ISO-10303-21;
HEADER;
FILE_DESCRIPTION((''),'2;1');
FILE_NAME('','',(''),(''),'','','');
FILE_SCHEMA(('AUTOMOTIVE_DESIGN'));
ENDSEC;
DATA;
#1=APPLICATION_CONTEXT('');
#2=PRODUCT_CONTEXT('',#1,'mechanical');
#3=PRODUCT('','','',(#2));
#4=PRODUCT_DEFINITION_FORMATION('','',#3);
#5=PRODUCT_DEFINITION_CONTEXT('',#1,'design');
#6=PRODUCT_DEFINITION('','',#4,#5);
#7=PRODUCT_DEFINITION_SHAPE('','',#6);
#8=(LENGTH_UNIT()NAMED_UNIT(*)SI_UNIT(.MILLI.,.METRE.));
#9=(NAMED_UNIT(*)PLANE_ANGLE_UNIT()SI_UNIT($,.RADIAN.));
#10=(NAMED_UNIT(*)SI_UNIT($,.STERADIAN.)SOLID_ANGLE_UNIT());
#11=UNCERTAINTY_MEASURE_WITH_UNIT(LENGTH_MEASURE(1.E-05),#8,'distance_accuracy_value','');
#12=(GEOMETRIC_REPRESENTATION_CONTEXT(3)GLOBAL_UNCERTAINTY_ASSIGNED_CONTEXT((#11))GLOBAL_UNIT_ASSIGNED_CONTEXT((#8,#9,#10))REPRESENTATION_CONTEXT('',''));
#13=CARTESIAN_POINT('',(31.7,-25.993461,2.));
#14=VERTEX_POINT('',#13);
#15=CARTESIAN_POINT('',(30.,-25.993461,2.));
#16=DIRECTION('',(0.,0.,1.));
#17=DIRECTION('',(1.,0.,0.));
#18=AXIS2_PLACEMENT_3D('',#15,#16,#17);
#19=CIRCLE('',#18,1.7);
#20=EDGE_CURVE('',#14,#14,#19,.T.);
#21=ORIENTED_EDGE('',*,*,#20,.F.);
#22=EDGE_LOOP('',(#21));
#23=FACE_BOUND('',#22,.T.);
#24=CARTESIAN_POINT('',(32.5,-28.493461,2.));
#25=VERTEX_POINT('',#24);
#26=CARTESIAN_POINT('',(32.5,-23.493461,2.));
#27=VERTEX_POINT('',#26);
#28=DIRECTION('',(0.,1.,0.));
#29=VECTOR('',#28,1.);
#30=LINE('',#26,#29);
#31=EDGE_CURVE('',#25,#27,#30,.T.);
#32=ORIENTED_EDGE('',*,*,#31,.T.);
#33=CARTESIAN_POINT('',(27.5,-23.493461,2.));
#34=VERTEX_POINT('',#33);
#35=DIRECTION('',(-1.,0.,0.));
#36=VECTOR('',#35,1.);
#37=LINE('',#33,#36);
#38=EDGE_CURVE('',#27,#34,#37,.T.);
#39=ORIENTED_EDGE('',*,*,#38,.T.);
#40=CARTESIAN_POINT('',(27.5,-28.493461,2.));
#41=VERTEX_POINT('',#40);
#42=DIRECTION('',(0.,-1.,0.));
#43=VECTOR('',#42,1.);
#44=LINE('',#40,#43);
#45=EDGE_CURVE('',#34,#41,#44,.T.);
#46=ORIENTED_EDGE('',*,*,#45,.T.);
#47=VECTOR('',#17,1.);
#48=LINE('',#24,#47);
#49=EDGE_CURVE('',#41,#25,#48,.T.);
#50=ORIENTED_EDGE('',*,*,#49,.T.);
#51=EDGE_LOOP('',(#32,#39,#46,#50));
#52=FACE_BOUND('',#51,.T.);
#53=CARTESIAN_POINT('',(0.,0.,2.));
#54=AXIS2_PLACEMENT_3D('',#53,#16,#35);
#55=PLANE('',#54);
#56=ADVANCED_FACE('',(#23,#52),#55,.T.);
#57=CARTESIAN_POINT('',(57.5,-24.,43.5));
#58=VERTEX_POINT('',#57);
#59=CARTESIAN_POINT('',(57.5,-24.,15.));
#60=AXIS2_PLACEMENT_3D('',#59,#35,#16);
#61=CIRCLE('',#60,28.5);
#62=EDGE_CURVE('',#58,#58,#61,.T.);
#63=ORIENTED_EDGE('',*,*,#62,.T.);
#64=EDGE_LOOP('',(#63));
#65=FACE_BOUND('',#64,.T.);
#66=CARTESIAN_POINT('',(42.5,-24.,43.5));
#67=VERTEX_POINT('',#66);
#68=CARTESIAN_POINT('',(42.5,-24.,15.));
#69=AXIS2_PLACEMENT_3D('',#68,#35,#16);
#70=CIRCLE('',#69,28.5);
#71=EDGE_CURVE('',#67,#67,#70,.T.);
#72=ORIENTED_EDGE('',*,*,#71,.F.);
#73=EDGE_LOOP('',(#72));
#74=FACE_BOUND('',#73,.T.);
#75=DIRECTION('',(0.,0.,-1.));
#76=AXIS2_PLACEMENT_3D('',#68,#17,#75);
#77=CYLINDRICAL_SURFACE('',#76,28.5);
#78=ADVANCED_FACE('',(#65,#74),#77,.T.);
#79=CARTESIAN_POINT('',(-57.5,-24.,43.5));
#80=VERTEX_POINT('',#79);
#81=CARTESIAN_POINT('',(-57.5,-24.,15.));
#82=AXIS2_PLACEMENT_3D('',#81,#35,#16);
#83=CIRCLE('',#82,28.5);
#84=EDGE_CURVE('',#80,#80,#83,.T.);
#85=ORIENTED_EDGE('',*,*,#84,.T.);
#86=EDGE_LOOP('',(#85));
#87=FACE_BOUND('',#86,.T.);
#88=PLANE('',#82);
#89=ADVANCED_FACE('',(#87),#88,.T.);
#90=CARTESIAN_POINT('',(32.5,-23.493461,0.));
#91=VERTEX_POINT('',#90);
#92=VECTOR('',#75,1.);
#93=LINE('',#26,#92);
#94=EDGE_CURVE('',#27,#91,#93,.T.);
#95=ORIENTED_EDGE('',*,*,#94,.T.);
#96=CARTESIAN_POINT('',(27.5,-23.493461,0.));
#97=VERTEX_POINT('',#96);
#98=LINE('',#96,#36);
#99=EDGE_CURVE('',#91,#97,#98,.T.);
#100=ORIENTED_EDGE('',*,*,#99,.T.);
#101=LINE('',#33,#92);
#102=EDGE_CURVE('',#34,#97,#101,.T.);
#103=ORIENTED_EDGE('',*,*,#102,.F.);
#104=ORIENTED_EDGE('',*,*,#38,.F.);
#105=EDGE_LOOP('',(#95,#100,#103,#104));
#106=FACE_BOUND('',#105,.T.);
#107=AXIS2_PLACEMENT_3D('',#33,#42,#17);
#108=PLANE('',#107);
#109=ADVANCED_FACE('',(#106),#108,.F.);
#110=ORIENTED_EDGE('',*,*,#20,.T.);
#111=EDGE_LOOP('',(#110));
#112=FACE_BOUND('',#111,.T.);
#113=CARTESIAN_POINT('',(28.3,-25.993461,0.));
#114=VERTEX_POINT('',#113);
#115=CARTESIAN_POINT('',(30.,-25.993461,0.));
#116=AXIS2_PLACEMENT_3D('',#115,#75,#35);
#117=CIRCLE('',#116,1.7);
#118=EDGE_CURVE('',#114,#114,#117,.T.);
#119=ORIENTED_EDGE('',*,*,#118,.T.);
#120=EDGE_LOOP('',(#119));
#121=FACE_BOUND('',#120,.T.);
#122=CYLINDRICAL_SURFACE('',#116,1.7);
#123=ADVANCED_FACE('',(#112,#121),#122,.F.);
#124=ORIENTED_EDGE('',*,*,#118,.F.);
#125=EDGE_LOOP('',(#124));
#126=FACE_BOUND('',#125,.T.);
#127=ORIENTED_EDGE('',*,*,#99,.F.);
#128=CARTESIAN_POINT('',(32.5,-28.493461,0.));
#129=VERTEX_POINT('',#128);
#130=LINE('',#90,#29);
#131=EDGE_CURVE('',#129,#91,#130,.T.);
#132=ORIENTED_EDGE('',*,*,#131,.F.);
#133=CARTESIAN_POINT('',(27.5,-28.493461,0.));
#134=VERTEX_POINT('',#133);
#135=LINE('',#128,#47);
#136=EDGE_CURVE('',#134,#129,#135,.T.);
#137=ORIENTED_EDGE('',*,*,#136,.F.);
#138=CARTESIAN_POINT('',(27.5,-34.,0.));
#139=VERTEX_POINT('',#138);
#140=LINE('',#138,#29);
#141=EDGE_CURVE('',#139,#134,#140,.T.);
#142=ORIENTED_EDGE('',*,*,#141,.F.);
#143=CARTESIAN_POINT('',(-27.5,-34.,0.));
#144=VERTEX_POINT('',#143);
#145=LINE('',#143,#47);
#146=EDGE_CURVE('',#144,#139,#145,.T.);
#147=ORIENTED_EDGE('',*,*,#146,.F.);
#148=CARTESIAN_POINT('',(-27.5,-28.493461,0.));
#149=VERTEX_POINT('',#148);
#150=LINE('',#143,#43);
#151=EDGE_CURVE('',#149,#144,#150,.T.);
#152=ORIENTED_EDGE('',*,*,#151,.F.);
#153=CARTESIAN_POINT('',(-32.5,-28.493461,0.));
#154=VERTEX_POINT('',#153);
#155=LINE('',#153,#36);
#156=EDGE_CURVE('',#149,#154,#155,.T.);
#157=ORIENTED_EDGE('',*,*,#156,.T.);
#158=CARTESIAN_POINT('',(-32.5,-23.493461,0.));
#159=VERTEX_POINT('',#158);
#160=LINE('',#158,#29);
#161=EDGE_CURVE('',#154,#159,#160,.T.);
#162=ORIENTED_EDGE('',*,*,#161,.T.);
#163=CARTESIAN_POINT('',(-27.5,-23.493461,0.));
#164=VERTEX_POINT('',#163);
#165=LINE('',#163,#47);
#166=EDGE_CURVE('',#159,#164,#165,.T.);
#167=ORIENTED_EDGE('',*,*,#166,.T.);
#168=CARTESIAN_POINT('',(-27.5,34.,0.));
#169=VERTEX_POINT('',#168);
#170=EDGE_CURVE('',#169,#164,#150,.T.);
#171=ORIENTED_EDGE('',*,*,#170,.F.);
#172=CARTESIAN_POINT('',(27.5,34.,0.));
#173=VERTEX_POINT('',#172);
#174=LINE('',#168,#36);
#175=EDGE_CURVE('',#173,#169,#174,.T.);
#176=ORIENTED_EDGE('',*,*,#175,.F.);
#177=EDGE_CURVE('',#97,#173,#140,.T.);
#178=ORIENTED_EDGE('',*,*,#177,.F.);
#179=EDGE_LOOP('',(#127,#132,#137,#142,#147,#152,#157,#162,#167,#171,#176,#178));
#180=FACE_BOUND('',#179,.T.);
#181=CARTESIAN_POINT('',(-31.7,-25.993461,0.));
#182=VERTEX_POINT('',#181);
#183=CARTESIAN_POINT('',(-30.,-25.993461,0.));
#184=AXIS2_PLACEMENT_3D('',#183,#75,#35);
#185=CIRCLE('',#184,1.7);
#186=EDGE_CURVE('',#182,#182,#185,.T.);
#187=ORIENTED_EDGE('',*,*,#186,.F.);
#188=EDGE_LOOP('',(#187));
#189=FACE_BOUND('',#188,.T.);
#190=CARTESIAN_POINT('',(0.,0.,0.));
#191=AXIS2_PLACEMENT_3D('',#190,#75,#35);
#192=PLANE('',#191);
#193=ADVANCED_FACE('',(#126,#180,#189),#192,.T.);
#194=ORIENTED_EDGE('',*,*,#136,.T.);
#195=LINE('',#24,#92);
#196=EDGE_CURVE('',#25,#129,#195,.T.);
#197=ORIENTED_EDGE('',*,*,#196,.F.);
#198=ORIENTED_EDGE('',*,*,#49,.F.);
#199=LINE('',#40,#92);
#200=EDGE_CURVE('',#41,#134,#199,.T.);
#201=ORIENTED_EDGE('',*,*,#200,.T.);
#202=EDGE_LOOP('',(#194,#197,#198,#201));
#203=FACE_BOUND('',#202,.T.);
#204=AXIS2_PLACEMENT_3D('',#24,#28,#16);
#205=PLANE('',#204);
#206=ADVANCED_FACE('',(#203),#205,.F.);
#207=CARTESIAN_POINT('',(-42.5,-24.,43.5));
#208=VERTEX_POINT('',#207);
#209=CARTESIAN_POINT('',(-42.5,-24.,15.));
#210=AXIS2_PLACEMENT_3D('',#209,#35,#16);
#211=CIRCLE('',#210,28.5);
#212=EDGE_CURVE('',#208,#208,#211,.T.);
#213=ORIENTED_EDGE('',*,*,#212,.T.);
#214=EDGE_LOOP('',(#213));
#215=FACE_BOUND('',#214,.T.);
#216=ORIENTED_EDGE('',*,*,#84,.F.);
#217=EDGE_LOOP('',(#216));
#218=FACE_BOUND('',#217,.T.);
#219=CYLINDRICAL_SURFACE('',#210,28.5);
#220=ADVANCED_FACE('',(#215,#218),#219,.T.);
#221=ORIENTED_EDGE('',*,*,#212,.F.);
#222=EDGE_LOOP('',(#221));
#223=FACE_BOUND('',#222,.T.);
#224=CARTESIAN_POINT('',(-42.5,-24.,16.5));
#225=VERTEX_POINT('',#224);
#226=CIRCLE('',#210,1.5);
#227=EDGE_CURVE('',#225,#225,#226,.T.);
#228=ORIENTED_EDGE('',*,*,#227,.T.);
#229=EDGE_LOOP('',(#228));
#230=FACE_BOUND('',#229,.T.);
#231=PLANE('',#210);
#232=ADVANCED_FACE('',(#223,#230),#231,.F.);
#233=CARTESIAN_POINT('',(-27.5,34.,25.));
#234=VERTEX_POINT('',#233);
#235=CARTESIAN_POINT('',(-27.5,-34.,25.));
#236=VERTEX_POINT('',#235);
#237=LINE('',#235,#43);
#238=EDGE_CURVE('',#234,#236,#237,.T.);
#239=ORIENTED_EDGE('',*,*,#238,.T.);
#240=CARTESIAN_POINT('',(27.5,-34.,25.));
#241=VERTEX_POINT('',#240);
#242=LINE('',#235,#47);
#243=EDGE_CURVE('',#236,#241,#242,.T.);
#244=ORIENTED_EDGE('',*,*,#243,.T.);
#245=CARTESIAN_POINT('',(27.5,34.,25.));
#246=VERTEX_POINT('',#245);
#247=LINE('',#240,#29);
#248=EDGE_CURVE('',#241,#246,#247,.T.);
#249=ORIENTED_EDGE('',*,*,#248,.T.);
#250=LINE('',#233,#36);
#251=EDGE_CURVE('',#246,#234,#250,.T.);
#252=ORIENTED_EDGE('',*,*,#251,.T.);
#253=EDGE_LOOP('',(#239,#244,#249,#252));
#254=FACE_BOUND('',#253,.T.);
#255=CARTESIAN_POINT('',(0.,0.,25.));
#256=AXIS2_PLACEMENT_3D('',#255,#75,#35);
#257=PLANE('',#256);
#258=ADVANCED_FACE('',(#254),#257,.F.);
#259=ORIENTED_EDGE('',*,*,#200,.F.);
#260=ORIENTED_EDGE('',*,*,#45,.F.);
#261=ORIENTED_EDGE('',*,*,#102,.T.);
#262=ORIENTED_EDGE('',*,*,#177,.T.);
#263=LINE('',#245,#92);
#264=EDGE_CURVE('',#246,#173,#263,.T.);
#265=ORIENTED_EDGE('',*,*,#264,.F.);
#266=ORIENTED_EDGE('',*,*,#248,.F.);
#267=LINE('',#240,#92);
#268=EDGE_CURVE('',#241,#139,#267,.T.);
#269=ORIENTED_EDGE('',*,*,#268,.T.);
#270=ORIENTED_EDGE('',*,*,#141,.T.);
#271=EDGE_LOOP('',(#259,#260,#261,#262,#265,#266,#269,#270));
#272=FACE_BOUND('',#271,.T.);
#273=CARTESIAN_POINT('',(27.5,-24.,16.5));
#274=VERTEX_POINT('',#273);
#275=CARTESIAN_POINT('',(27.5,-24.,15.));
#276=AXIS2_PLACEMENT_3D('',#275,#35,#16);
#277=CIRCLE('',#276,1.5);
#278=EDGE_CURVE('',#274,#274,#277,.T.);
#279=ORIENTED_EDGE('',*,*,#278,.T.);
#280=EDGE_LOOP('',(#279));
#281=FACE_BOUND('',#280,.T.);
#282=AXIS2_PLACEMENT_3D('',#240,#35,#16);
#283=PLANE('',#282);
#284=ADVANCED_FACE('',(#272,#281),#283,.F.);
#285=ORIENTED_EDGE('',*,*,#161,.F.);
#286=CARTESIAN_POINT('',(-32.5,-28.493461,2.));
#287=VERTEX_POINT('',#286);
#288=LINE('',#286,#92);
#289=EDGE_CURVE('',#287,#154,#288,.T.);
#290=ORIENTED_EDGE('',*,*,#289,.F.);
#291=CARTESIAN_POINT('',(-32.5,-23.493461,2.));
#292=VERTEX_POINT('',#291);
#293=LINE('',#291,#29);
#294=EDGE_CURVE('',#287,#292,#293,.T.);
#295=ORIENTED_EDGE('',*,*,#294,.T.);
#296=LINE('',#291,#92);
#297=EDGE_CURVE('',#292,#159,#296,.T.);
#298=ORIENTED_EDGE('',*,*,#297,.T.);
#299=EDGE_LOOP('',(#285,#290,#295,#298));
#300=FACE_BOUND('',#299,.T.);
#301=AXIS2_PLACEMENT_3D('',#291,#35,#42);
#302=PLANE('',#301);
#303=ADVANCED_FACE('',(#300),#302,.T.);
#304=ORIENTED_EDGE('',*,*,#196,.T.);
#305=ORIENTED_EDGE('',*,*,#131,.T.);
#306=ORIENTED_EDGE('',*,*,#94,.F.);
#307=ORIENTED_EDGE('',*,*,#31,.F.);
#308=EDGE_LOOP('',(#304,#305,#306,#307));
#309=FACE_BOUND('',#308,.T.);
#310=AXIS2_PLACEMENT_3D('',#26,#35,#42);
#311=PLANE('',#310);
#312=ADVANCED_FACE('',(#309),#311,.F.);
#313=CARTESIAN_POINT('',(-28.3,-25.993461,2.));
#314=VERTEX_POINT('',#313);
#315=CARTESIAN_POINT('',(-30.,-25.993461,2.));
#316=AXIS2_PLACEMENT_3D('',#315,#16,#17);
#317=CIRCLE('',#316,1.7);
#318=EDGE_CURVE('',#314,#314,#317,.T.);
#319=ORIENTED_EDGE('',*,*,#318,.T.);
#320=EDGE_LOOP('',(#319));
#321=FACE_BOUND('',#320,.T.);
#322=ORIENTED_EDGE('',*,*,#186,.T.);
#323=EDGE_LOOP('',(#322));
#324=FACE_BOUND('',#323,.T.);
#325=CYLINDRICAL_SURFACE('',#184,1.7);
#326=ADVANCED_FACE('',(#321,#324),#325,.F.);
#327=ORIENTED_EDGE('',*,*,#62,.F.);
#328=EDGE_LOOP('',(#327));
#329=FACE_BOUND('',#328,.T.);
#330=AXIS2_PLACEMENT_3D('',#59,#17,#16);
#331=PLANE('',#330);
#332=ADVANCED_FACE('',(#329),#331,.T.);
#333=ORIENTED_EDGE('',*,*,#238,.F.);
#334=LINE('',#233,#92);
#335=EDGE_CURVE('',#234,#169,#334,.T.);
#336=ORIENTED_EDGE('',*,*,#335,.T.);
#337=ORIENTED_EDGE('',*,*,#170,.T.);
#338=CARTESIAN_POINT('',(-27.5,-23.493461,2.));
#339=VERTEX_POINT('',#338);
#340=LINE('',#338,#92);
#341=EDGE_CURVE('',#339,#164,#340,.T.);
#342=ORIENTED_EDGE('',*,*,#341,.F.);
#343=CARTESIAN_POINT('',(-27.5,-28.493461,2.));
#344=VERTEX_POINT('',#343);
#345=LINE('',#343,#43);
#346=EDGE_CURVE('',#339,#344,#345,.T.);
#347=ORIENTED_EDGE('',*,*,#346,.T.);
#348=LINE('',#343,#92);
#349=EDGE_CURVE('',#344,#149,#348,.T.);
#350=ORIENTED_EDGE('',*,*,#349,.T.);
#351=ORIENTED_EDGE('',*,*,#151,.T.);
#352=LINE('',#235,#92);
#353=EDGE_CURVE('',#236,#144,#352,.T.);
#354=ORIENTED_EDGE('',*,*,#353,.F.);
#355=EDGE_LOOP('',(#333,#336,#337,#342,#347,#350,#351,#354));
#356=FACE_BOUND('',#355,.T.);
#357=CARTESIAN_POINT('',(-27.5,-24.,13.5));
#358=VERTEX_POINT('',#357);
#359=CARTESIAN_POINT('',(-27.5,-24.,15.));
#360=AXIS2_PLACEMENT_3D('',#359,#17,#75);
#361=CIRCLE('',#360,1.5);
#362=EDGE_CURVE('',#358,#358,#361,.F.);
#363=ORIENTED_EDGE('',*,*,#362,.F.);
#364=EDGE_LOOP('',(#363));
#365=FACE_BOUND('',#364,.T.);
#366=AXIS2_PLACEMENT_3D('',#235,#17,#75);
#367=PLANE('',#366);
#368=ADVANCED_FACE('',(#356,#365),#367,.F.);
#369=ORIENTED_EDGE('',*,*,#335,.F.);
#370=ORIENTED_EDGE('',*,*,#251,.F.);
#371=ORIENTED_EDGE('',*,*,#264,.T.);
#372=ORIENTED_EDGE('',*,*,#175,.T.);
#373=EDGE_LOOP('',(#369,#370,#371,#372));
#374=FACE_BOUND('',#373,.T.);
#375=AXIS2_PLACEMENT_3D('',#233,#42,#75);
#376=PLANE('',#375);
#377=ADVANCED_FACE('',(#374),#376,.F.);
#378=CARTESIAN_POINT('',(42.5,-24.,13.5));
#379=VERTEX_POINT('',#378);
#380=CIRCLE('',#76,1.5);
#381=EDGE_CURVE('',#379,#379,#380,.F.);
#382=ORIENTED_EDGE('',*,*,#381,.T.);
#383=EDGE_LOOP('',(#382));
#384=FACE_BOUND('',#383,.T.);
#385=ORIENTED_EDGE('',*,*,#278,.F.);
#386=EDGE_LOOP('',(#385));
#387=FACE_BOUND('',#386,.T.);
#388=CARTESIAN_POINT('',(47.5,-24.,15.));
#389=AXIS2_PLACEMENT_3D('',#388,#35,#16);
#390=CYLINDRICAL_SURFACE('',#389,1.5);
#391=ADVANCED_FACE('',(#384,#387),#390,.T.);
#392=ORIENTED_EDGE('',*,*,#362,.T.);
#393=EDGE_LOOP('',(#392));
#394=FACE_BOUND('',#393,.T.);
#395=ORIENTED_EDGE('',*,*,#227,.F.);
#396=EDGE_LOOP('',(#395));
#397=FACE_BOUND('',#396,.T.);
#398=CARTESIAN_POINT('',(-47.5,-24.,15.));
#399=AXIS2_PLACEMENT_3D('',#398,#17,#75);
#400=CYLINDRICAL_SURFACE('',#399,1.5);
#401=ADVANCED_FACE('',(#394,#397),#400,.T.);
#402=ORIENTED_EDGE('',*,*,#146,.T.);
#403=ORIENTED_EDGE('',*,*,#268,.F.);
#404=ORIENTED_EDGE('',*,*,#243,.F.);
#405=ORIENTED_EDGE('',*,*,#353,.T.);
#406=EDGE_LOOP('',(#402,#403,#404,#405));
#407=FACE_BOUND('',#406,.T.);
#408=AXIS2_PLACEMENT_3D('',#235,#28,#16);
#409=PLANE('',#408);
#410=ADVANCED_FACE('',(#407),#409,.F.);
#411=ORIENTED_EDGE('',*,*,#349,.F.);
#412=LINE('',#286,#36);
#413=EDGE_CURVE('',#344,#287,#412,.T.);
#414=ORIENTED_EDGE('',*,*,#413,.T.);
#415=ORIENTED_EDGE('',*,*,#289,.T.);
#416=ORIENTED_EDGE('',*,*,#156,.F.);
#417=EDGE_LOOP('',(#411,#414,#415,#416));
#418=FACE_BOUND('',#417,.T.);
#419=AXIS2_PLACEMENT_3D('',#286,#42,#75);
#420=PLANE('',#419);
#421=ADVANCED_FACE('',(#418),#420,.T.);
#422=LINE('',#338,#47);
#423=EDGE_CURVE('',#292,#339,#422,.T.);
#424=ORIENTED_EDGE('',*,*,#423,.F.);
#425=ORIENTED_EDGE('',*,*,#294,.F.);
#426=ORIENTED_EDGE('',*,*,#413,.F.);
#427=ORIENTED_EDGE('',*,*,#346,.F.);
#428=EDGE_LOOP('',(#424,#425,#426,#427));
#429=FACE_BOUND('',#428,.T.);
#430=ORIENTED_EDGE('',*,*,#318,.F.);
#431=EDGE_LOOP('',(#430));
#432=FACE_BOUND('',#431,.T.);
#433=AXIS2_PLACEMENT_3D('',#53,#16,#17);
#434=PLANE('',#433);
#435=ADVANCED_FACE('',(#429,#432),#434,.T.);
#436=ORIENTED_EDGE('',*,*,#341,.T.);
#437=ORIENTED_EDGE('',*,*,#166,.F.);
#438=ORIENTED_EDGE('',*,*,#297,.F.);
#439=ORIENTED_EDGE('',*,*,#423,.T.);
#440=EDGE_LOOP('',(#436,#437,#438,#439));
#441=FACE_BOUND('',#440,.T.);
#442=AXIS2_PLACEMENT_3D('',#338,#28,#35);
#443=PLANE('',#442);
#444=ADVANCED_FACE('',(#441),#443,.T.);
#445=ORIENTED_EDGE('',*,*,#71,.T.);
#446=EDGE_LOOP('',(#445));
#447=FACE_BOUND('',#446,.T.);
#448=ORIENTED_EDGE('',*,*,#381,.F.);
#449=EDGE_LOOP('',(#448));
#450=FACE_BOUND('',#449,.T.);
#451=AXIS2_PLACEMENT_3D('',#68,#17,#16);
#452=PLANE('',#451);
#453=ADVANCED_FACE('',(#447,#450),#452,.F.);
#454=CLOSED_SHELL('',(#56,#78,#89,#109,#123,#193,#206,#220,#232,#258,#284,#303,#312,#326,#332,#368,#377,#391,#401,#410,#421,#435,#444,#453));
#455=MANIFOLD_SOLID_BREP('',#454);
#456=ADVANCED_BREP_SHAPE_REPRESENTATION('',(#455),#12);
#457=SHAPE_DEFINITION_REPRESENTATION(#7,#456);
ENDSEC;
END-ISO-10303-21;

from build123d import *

# Parameters (mm, degrees)
ESQUISSE1_W        = 55
ESQUISSE1_H        = 68
BOSS_EXTRU_1_DEPTH = 25
ESQUISSE3_R        = 1.5
BOSS_EXTRU_2_DEPTH = 20
BOSS_EXTRU_3_START = -5
ESQUISSE4_R        = 28.5
BOSS_EXTRU_3_DEPTH = 15
ESQUISSE5_W        = 5
ESQUISSE5_H        = 5
BOSS_EXTRU_4_DEPTH = 2


with BuildPart() as part:
    # Esquisse1 → Boss.-Extru.1 (new body)
    with BuildSketch(Plane.XY):
        Rectangle(ESQUISSE1_W, ESQUISSE1_H)
    extrude(amount=BOSS_EXTRU_1_DEPTH)

    # Esquisse3 → Boss.-Extru.2 (add)
    with BuildSketch(Plane.ZY.offset(27.5)):
        with Locations((15, -24)):
            Circle(ESQUISSE3_R)
    boss_extru_2 = extrude(amount=BOSS_EXTRU_2_DEPTH)

    # Symétrie1: Boss.-Extru.2 across plane
    add(boss_extru_2.mirror(Plane(origin=(0, 0, 0), x_dir=(0, 0, 1), z_dir=(1, 0, 0))))

    # Esquisse4 → Boss.-Extru.3 (add)
    with BuildSketch(Plane.ZY.offset(47.5).offset(BOSS_EXTRU_3_START)):
        with Locations((15, -24)):
            Circle(ESQUISSE4_R)
    boss_extru_3 = extrude(amount=BOSS_EXTRU_3_DEPTH)

    # Symétrie2: Boss.-Extru.3 across plane
    add(boss_extru_3.mirror(Plane(origin=(0, 0, 0), x_dir=(0, 0, 1), z_dir=(1, 0, 0))))

    # Esquisse5 → Boss.-Extru.4 (add)
    with BuildSketch(Plane(origin=(0, 0, 0), x_dir=(-1, 0, 0), z_dir=(0, 0, -1))):
        with Locations((30, -25.993461036)):
            Rectangle(ESQUISSE5_W, ESQUISSE5_H)
    boss_extru_4 = extrude(amount=-BOSS_EXTRU_4_DEPTH)

    # Esquisse9 → Dégagement M31 (revolve, cut)
    with BuildSketch(Plane(origin=(-30, -25.993461036, 0), x_dir=(0, 1, 0), z_dir=(1, 0, 0))):
        Polygon((0, 0), (0, 4.021463052), (1.7, 3), (1.7, 0), align=None)
    d_gagement_m31 = revolve(axis=Axis((-30, -25.993461036, -6.35), (0, 0, 1)), mode=Mode.SUBTRACT)

    # Symétrie3: Boss.-Extru.4, Dégagement M31 across plane
    add(boss_extru_4.mirror(Plane(origin=(0, 0, 0), x_dir=(0, 0, 1), z_dir=(1, 0, 0))))
    add(d_gagement_m31.mirror(Plane(origin=(0, 0, 0), x_dir=(0, 0, 1), z_dir=(1, 0, 0))), mode=Mode.SUBTRACT)


solid = part.part
